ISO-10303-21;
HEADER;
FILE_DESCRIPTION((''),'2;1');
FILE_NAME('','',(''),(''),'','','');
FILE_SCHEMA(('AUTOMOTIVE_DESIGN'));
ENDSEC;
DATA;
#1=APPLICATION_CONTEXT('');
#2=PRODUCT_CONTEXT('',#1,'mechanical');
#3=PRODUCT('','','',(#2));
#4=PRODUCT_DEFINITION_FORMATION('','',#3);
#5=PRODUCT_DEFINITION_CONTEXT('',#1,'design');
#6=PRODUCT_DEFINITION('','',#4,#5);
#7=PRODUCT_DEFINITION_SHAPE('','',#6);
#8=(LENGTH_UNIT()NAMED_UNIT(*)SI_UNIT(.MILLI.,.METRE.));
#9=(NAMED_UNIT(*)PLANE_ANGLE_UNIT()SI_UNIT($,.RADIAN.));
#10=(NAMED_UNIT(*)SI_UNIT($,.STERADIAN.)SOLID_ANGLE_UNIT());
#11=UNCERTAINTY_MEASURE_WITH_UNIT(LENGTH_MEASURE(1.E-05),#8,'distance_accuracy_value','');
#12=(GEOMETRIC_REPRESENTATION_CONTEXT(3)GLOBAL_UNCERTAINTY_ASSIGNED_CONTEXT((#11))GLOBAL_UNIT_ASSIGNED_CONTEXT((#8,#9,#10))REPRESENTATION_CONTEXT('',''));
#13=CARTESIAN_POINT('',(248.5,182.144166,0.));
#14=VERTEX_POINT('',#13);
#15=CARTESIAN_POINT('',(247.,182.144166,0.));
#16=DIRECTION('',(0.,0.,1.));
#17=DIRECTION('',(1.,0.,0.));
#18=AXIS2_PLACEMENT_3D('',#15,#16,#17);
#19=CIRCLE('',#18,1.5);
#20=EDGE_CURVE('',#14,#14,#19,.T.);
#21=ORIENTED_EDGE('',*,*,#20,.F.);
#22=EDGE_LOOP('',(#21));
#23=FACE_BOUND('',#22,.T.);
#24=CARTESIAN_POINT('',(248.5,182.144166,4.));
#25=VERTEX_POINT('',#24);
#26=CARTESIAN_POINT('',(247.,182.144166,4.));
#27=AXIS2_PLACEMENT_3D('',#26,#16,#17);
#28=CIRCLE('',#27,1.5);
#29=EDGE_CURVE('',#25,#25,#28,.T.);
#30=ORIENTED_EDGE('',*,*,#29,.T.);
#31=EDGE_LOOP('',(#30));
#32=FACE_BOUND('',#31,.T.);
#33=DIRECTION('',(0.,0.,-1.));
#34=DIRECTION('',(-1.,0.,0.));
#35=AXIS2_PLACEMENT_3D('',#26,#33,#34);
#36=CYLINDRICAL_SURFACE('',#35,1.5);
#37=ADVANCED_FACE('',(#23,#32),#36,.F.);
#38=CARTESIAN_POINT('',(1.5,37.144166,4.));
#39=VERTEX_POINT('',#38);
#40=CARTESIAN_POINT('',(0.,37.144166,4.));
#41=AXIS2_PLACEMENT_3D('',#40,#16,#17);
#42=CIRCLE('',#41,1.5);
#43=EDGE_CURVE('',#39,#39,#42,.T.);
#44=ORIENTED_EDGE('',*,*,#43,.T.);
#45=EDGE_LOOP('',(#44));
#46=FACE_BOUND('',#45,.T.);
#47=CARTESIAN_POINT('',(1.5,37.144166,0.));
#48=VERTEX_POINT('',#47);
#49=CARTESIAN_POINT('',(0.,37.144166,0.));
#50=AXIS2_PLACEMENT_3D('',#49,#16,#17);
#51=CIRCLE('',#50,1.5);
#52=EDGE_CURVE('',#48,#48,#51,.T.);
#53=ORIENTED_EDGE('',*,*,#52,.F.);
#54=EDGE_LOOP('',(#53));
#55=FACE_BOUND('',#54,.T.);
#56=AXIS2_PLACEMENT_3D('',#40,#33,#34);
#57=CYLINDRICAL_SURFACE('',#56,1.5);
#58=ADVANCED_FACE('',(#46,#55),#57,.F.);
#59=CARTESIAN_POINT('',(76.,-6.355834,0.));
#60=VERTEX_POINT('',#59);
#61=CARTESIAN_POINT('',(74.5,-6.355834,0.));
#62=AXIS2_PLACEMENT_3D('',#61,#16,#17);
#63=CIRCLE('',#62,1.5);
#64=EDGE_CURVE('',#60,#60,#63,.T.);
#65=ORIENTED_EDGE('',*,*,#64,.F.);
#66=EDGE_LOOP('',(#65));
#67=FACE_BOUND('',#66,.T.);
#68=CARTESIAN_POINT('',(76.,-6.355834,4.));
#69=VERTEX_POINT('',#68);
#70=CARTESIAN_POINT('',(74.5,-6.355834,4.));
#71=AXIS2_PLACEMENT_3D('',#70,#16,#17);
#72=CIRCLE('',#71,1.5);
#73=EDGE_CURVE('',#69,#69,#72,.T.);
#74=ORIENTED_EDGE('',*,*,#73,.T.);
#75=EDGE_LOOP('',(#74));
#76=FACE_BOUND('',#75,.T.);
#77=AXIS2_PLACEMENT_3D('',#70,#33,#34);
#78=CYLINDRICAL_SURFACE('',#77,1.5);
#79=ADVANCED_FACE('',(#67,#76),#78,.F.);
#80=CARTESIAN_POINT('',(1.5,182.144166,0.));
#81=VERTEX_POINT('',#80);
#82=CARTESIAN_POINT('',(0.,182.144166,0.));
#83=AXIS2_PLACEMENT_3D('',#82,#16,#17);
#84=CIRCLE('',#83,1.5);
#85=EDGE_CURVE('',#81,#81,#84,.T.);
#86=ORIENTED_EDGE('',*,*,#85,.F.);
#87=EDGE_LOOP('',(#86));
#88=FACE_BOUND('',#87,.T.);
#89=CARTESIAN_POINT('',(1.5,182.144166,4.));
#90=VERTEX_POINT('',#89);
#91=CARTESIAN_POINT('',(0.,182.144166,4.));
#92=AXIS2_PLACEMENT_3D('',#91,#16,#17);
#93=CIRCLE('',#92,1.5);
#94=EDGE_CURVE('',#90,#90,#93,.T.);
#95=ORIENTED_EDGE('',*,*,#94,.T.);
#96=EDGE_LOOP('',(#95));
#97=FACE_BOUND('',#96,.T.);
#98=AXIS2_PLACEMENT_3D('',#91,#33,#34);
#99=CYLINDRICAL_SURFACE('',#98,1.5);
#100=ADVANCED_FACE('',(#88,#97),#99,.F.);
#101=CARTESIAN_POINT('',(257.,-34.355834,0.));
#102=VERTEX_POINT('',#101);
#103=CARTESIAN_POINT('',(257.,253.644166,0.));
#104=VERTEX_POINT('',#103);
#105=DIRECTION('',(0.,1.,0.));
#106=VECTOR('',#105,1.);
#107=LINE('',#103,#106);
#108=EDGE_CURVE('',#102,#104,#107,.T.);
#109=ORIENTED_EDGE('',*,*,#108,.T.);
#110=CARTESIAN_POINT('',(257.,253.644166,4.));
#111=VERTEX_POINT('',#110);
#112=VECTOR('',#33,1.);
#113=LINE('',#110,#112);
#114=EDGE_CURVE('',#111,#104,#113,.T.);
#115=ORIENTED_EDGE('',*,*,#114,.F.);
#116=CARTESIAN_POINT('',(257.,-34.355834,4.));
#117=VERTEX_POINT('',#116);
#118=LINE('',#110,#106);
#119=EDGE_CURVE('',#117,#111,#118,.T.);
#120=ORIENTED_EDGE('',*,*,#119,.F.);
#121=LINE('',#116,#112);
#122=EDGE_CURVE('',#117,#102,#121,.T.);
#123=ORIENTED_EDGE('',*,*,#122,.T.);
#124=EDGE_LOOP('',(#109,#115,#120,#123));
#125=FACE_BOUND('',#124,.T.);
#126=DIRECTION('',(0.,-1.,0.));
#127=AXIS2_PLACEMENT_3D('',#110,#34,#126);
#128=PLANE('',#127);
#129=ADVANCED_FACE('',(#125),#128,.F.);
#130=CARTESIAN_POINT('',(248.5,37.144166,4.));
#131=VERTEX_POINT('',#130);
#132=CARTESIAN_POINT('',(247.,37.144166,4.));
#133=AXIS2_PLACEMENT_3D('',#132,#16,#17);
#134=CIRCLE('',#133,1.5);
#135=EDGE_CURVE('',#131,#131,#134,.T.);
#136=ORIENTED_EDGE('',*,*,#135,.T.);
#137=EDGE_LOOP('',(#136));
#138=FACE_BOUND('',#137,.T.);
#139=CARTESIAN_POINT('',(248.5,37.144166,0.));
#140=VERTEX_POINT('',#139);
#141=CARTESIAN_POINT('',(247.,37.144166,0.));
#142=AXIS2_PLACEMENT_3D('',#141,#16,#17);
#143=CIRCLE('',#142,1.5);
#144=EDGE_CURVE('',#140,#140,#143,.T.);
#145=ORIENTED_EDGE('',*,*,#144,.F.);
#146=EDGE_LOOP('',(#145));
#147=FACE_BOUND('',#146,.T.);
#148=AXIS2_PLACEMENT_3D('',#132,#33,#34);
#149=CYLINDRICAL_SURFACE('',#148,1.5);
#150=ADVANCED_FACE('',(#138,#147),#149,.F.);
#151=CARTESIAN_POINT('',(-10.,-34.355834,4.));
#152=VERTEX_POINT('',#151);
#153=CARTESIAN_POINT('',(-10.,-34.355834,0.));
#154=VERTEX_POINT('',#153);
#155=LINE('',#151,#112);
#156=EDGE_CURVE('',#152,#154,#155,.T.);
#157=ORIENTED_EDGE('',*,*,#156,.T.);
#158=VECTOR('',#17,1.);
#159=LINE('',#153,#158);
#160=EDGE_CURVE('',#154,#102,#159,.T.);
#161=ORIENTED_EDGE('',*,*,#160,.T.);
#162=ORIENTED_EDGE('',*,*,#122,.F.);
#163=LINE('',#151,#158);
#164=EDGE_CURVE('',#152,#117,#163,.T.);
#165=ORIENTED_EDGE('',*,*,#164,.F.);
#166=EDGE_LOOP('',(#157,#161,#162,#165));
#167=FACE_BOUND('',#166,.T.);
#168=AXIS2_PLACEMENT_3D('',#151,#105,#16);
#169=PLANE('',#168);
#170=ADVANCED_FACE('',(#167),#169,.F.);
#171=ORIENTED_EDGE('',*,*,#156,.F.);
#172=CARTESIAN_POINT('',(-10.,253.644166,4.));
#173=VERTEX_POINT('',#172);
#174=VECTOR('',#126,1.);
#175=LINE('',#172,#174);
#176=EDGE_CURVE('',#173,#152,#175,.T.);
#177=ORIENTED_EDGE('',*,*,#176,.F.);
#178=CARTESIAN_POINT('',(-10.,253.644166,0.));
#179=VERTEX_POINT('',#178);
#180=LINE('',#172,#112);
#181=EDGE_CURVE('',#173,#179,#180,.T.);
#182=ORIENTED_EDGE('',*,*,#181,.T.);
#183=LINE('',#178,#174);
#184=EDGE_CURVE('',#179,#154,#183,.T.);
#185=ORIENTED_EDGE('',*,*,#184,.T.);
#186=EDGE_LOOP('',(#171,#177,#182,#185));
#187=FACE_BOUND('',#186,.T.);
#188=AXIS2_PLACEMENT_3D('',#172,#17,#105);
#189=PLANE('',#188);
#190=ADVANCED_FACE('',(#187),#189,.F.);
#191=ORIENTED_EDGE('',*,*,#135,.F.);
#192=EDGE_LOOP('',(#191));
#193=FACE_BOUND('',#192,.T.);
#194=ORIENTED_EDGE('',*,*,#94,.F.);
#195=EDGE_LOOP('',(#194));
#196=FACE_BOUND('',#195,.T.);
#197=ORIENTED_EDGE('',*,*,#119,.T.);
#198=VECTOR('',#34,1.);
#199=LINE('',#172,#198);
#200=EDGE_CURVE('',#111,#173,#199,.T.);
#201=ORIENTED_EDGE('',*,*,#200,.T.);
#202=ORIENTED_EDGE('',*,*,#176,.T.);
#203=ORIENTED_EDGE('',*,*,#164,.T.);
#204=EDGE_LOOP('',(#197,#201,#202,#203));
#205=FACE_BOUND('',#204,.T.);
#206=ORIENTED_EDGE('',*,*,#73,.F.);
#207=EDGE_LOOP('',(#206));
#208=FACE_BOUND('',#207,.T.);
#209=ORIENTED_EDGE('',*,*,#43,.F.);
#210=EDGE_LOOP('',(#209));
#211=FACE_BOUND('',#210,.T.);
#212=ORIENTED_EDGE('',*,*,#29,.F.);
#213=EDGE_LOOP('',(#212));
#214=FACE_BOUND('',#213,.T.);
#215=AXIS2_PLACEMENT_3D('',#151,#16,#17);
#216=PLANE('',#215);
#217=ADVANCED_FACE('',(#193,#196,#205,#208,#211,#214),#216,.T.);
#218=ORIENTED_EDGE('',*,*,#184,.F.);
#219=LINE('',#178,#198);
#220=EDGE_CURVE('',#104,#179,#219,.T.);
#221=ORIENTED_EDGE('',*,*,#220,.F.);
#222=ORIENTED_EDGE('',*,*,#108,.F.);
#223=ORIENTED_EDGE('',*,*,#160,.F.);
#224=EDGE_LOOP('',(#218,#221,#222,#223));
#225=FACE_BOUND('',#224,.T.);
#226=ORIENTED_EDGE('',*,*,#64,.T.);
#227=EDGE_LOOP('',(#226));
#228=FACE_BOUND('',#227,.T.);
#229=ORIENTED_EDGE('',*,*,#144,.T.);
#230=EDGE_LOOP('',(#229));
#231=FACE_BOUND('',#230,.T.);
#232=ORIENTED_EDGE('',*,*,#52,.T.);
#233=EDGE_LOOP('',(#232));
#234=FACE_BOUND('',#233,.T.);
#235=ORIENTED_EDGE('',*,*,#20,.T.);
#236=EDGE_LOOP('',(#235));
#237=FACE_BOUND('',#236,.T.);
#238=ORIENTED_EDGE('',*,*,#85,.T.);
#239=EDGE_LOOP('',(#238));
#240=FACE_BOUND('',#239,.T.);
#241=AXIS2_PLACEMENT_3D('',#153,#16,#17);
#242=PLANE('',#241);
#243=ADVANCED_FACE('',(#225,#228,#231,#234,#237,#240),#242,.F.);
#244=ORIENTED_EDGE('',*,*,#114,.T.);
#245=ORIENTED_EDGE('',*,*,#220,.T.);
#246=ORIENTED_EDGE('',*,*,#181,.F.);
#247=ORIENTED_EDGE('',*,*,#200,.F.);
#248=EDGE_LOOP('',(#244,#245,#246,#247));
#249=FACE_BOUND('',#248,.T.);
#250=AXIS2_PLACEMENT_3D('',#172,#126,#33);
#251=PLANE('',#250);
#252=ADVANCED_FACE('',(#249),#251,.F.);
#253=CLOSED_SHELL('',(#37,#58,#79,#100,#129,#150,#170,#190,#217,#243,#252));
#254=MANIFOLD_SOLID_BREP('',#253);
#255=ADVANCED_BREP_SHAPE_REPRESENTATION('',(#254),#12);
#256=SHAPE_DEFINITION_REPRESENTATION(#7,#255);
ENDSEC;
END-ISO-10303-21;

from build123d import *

# Parameters (mm, degrees)
ESQUISSE1_W      = 267
ESQUISSE1_H      = 288
ESQUISSE1_R      = 1.5
EXTRUSION1_DEPTH = 4


with BuildPart() as part:
    # Esquisse1 → Extrusion1 (new body)
    with BuildSketch(Plane.XY):
        with Locations((123.5, 109.644166131)):
            Rectangle(ESQUISSE1_W, ESQUISSE1_H)
        with Locations((0, 182.144166131)):
            Circle(ESQUISSE1_R, mode=Mode.SUBTRACT)
        with Locations((0, 37.144166131)):
            Circle(ESQUISSE1_R, mode=Mode.SUBTRACT)
        with Locations((247, 37.144166131)):
            Circle(ESQUISSE1_R, mode=Mode.SUBTRACT)
        with Locations((247, 182.144166131)):
            Circle(ESQUISSE1_R, mode=Mode.SUBTRACT)
        with Locations((74.5, -6.355833869)):
            Circle(ESQUISSE1_R, mode=Mode.SUBTRACT)
    extrude(amount=EXTRUSION1_DEPTH)


solid = part.part
